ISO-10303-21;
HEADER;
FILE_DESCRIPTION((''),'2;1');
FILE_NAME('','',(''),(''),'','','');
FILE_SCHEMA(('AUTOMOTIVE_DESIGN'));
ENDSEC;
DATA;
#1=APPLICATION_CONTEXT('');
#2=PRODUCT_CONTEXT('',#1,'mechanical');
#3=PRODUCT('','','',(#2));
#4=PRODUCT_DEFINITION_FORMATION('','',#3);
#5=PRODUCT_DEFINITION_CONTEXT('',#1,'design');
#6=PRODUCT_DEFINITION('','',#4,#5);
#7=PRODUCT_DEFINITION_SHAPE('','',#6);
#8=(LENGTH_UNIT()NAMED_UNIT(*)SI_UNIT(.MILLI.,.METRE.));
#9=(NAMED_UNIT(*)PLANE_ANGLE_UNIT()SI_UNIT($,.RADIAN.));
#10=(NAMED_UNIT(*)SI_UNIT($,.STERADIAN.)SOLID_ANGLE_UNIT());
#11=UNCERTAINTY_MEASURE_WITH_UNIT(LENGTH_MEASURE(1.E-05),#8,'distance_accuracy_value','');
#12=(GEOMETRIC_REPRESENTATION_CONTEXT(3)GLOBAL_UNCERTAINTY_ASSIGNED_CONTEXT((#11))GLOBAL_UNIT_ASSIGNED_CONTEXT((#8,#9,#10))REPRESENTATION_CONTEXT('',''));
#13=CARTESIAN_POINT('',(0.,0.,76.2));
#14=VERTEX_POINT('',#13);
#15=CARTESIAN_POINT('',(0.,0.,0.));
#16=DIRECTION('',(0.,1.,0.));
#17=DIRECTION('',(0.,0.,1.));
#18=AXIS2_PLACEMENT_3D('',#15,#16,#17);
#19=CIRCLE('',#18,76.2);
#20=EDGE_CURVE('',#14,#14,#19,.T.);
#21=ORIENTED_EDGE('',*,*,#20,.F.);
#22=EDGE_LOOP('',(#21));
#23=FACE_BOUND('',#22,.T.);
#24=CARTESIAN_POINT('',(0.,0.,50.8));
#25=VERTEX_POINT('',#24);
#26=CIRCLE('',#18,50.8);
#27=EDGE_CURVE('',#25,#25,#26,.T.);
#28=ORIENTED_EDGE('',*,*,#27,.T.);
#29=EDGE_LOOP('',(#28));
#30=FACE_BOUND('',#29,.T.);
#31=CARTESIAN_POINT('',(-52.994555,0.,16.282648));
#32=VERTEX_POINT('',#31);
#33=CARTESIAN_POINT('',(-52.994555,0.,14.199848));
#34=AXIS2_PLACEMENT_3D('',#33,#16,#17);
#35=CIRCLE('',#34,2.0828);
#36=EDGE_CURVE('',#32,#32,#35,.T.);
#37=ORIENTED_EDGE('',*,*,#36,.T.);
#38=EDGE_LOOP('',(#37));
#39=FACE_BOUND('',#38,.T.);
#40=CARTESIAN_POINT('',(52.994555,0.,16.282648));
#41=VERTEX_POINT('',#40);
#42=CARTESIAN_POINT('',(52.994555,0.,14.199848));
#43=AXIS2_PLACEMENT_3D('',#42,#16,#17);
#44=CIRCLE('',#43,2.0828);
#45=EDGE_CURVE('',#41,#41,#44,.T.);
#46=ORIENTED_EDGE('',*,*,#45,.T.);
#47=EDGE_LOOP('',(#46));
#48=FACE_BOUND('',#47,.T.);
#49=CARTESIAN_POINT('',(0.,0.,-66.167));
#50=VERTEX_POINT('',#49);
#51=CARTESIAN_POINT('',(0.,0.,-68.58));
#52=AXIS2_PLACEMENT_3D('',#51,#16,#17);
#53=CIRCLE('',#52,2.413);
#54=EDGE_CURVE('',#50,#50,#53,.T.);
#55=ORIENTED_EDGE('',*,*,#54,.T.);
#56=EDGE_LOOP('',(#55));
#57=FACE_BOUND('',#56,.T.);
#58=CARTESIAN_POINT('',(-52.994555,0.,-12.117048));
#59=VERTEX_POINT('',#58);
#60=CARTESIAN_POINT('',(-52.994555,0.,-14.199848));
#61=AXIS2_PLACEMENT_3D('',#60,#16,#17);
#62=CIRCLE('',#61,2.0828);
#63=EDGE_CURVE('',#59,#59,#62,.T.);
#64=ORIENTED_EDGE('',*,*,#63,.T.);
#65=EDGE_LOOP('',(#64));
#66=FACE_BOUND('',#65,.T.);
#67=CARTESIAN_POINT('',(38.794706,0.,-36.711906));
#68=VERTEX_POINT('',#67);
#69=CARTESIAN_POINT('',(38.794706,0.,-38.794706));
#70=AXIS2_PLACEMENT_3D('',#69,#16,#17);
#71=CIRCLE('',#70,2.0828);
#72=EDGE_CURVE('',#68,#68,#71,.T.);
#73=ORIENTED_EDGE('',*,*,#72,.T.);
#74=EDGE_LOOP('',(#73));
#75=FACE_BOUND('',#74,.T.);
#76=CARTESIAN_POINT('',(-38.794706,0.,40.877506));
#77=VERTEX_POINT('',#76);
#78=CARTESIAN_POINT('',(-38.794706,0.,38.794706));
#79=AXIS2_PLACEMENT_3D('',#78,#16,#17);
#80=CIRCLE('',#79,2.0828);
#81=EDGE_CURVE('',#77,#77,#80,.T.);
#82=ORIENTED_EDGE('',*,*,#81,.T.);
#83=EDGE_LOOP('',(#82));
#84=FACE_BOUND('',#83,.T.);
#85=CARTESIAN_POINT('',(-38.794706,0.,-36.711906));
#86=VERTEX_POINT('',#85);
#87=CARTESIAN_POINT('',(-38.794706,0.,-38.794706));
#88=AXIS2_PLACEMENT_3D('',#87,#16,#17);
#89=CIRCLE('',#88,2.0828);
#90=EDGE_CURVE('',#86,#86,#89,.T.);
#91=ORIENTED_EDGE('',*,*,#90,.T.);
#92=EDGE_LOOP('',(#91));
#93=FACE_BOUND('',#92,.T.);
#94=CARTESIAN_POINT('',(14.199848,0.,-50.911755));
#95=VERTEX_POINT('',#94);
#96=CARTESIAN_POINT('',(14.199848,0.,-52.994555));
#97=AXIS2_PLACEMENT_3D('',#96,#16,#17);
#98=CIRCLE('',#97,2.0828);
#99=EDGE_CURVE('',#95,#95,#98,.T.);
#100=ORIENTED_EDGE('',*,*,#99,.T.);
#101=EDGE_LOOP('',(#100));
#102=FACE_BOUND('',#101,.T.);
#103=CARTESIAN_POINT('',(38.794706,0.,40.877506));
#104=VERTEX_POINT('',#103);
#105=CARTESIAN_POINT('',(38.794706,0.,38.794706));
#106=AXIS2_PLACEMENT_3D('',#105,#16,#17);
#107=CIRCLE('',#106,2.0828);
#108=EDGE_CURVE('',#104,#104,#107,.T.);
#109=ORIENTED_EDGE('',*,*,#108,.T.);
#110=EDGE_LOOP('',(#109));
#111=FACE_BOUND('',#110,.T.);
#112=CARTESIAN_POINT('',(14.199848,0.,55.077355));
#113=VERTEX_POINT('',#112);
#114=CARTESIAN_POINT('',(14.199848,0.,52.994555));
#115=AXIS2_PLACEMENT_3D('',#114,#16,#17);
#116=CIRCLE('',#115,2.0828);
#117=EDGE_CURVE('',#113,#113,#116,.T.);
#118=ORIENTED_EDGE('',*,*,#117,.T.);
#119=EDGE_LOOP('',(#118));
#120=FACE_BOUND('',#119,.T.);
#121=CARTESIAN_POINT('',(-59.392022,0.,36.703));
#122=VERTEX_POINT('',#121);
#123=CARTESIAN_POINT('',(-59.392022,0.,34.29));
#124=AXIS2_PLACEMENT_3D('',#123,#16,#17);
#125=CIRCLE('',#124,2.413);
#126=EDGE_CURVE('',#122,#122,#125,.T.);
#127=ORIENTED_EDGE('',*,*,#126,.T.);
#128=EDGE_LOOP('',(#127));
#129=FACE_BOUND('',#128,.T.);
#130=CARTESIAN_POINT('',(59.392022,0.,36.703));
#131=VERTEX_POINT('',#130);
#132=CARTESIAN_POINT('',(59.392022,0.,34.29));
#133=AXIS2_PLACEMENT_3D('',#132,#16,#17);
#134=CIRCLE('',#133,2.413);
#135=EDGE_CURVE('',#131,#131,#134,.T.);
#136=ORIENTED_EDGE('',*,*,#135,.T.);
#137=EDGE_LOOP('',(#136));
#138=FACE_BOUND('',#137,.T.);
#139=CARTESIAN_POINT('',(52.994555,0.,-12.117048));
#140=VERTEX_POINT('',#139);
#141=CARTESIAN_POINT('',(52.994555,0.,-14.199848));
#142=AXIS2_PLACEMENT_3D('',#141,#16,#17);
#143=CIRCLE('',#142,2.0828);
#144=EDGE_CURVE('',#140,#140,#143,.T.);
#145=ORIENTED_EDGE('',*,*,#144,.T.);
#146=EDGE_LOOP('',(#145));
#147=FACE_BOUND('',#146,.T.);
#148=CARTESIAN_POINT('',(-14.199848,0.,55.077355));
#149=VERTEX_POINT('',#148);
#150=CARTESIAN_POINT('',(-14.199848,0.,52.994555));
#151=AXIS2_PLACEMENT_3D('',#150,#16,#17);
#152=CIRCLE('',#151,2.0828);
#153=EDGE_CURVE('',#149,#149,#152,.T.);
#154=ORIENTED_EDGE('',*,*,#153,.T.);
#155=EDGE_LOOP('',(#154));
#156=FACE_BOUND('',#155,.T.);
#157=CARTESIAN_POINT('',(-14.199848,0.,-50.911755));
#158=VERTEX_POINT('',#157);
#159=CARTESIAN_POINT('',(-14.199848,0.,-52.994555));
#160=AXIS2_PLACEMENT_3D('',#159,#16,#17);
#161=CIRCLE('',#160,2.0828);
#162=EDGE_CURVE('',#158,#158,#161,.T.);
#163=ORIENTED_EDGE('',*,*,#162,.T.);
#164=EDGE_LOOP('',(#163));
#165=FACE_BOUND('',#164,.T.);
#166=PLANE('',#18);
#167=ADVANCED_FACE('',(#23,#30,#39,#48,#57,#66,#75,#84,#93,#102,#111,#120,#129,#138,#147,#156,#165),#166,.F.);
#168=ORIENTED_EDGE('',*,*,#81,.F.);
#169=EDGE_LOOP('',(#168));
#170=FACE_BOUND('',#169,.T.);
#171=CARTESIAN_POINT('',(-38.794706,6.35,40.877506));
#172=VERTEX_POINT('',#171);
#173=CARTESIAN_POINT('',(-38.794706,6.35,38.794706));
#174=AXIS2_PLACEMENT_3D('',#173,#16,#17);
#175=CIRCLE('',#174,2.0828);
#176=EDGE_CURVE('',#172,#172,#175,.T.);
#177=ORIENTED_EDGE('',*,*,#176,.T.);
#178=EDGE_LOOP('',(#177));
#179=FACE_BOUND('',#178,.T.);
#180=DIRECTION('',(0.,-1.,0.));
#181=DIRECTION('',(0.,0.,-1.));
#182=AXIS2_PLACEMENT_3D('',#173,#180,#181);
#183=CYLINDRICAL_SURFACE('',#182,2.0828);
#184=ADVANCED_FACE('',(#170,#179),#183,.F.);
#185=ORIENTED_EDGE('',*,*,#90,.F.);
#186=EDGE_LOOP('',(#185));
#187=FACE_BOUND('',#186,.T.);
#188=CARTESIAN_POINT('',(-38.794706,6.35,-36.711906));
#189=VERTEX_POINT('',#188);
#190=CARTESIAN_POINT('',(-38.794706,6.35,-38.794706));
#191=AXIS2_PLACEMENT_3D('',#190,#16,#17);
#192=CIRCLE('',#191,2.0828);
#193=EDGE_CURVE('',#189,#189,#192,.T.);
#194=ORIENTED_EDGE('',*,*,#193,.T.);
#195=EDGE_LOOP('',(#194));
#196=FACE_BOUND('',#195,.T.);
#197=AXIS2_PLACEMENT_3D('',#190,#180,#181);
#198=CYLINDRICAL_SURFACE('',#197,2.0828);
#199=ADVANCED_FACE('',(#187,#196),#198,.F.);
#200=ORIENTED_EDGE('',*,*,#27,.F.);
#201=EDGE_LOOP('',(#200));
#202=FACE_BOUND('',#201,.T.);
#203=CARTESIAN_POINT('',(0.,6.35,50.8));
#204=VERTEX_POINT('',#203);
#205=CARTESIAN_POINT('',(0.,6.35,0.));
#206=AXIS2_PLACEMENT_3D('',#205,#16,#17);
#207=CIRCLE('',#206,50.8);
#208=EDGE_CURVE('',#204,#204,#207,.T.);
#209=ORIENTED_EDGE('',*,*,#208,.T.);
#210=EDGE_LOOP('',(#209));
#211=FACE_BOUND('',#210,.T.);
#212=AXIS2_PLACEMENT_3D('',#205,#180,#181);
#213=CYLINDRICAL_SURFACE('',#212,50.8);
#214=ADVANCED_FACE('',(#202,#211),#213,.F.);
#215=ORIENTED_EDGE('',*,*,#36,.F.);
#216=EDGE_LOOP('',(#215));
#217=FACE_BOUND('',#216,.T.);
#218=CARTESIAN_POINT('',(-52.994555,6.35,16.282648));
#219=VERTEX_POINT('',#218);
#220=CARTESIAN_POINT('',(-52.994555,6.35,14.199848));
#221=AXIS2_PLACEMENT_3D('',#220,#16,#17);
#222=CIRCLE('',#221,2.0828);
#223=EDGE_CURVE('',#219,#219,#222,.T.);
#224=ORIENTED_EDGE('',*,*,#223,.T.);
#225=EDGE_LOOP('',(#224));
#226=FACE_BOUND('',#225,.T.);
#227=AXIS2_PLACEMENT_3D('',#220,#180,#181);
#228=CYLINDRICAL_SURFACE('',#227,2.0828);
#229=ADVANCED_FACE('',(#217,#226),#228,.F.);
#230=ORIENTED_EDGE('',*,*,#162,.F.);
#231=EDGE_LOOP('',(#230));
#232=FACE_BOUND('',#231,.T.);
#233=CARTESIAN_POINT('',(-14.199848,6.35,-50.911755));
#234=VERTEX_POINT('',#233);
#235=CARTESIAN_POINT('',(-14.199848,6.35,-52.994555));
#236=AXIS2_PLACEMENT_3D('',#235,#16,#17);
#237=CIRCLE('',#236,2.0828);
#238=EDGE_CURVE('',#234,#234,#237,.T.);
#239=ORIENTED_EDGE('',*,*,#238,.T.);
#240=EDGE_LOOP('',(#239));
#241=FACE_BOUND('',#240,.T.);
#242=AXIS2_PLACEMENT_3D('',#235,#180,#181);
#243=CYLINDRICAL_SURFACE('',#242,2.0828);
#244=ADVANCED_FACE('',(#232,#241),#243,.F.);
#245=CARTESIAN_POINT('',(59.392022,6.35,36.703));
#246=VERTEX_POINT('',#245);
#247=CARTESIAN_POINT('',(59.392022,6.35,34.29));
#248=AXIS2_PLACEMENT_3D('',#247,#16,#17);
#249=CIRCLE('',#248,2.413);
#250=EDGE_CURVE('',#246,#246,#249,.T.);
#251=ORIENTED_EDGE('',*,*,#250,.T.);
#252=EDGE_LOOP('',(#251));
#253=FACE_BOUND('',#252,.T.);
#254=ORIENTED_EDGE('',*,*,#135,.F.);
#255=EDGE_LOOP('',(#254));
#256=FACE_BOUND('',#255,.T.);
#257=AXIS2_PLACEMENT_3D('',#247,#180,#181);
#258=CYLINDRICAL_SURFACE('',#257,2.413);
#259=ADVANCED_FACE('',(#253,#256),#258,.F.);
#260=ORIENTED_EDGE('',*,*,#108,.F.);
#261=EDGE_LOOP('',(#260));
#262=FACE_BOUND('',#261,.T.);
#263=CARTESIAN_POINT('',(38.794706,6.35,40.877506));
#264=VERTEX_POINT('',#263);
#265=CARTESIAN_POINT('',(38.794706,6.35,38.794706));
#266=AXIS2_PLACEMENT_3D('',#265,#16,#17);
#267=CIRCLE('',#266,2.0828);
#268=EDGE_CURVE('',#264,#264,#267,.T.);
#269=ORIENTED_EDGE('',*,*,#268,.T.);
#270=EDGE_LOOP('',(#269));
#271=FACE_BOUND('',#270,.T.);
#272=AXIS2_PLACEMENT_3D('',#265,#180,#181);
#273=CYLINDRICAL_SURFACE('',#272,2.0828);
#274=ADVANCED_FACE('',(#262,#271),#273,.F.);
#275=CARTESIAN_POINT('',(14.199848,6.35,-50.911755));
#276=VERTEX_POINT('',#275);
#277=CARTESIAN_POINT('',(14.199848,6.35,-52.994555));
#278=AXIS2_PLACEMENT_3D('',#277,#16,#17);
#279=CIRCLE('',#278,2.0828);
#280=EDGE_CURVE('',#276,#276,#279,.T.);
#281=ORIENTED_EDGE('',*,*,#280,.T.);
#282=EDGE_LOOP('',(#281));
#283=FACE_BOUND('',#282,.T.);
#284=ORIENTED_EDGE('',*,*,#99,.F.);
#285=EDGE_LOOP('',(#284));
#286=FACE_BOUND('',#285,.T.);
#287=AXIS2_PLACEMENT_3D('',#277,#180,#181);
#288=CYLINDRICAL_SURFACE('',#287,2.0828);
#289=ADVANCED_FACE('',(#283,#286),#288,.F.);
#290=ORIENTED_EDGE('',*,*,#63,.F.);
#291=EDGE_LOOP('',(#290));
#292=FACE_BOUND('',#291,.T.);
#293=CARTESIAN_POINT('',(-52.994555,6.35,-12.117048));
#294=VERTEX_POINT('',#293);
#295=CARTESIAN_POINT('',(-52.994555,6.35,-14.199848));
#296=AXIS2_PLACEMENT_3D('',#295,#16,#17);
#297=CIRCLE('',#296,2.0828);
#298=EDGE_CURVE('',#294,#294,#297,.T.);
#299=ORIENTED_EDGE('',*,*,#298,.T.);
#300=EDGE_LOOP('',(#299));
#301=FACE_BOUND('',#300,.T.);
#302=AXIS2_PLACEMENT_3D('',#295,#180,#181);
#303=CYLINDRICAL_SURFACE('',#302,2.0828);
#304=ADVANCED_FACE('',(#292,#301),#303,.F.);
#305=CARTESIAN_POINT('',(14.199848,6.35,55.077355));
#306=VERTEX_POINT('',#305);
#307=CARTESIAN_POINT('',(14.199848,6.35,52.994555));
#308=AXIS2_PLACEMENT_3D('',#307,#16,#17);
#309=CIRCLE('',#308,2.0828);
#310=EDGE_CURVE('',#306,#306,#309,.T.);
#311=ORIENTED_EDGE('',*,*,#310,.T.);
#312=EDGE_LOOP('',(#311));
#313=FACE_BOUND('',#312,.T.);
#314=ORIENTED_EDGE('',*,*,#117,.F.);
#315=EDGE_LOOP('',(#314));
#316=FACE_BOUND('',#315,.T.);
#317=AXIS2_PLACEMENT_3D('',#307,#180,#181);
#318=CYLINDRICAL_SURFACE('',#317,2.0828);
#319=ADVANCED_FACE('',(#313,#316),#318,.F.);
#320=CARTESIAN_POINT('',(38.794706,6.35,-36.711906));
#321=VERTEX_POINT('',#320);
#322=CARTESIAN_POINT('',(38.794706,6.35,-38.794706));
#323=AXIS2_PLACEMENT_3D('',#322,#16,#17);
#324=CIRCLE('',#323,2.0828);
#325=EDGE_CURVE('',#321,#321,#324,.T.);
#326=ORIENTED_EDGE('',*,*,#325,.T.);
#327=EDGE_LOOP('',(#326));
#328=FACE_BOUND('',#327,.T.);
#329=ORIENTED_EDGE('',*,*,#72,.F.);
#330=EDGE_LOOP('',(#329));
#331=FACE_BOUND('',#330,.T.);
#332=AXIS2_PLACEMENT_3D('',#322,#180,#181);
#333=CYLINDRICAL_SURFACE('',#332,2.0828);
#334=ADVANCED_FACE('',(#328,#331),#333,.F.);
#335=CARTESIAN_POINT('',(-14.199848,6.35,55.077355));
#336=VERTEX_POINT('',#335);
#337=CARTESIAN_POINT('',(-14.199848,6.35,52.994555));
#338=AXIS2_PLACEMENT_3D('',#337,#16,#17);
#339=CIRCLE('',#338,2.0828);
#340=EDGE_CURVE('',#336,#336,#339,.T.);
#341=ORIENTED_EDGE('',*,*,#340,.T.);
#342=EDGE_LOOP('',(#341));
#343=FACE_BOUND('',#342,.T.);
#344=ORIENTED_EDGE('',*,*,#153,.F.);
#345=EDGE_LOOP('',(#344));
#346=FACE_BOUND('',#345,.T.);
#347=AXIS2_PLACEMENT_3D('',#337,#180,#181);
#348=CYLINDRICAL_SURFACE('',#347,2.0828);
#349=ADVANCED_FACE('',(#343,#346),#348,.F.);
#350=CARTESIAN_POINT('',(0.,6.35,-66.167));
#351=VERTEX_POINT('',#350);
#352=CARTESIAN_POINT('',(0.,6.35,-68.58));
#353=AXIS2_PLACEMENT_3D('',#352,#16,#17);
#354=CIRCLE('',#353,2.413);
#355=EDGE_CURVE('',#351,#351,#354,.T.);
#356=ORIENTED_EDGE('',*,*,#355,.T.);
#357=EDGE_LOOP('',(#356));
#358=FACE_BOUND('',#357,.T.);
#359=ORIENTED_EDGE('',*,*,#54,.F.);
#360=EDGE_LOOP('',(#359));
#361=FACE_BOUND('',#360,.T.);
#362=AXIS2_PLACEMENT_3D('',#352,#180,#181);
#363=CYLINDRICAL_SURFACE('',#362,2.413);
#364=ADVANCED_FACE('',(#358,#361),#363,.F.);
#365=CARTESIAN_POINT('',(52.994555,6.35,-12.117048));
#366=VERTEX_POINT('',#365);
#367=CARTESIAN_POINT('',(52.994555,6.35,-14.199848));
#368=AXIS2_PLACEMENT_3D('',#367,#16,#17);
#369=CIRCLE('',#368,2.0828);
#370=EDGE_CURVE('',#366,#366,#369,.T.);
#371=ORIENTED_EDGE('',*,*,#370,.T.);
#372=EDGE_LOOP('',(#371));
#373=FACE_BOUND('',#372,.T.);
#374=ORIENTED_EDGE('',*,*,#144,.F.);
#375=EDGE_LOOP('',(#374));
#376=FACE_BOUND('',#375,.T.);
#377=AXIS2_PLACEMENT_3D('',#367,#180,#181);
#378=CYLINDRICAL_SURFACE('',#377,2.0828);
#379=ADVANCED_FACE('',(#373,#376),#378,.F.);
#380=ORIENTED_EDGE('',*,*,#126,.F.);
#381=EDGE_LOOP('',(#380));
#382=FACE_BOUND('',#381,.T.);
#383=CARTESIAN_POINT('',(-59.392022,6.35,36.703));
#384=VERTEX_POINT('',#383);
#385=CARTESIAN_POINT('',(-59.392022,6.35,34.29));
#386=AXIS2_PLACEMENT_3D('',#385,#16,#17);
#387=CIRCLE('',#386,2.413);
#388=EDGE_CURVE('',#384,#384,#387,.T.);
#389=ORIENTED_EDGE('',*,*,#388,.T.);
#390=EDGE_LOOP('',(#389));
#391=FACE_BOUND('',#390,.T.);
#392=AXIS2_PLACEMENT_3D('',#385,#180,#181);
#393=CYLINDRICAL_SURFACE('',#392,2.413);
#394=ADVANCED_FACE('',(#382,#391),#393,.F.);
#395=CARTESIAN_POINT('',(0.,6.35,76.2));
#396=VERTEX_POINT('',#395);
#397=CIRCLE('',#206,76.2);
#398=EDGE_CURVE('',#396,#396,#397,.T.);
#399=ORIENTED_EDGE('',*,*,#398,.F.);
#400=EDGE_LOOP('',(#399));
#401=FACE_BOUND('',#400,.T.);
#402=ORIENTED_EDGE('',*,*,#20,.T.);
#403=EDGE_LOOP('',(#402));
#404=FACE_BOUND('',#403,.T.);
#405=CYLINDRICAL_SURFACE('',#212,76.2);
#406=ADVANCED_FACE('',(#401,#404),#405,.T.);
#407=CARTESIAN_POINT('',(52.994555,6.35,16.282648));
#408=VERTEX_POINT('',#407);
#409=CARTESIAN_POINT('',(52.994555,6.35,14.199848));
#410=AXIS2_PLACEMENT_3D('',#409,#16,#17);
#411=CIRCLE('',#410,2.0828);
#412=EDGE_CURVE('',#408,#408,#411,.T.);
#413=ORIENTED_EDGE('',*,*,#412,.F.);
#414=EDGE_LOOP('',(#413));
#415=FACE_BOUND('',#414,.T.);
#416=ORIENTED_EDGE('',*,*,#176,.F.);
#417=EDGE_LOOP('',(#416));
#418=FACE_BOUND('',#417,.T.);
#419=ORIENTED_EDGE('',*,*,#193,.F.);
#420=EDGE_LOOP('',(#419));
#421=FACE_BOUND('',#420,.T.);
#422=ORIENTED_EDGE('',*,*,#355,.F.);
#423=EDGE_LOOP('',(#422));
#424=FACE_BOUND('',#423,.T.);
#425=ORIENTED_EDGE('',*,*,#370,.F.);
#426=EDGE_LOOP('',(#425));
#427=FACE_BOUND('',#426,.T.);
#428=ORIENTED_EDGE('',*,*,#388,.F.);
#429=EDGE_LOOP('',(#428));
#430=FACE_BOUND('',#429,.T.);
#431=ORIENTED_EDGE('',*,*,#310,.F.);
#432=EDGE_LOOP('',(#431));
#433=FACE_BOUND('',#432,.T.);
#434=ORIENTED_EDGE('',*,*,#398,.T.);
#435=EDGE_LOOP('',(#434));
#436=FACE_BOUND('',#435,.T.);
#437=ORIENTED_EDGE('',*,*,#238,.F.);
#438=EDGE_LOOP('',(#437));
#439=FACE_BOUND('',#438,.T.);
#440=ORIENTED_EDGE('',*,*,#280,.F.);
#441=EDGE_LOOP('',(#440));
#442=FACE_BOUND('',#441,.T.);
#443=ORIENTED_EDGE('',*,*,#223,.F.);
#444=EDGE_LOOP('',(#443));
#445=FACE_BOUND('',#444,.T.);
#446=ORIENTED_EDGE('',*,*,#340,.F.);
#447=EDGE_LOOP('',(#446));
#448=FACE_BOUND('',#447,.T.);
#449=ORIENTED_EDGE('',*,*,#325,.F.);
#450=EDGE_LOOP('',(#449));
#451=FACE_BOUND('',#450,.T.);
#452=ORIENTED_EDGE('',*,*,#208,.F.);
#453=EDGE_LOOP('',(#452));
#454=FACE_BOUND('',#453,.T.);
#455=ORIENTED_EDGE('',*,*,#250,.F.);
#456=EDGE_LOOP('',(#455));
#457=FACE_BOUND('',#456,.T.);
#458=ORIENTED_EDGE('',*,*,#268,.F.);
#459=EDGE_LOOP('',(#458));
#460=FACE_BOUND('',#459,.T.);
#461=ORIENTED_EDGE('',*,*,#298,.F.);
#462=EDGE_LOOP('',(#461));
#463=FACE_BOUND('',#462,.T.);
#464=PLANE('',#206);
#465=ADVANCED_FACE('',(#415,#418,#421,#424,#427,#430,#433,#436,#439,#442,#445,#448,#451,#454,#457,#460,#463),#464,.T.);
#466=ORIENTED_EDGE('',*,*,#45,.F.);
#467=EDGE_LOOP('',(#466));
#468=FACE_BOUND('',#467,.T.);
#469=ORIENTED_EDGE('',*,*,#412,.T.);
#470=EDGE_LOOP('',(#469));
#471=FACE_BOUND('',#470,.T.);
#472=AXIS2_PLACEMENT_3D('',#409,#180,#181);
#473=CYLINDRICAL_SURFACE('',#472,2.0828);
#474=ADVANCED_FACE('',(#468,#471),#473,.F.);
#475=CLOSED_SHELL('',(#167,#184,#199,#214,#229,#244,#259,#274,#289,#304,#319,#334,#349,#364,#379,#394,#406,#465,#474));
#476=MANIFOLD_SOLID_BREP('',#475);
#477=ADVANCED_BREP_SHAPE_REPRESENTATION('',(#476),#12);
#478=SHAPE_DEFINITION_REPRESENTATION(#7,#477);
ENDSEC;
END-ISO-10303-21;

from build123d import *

# Parameters (mm, degrees)
SKETCH2_R           = 76.2
SKETCH2_R_2         = 2.0828
SKETCH2_R_3         = 2.413
SKETCH2_R_4         = 50.8
BOSS_EXTRUDE1_DEPTH = 6.35


with BuildPart() as part:
    # Sketch2 → Boss-Extrude1 (new body)
    with BuildSketch(Plane(origin=(0, 0, 0), x_dir=(1, 0, 0), z_dir=(0, 1, 0))):
        with Locations(Location((0, 0, 0), (0, 0, 270))):
            Circle(SKETCH2_R)
        with Locations(Location((-14.199848091, 52.994554534, 0), (0, 0, 270))):
            Circle(SKETCH2_R_2, mode=Mode.SUBTRACT)
        with Locations(Location((-38.794706443, 38.794706443, 0), (0, 0, 270))):
            Circle(SKETCH2_R_2, mode=Mode.SUBTRACT)
        with Locations(Location((-52.994554534, 14.199848091, 0), (0, 0, 270))):
            Circle(SKETCH2_R_2, mode=Mode.SUBTRACT)
        with Locations(Location((-52.994554534, -14.199848091, 0), (0, 0, 270))):
            Circle(SKETCH2_R_2, mode=Mode.SUBTRACT)
        with Locations(Location((-38.794706443, -38.794706443, 0), (0, 0, 270))):
            Circle(SKETCH2_R_2, mode=Mode.SUBTRACT)
        with Locations(Location((-14.199848091, -52.994554534, 0), (0, 0, 270))):
            Circle(SKETCH2_R_2, mode=Mode.SUBTRACT)
        with Locations(Location((14.199848091, -52.994554534, 0), (0, 0, 270))):
            Circle(SKETCH2_R_2, mode=Mode.SUBTRACT)
        with Locations(Location((38.794706443, -38.794706443, 0), (0, 0, 270))):
            Circle(SKETCH2_R_2, mode=Mode.SUBTRACT)
        with Locations(Location((52.994554534, -14.199848091, 0), (0, 0, 270))):
            Circle(SKETCH2_R_2, mode=Mode.SUBTRACT)
        with Locations(Location((52.994554534, 14.199848091, 0), (0, 0, 270))):
            Circle(SKETCH2_R_2, mode=Mode.SUBTRACT)
        with Locations(Location((38.794706443, 38.794706443, 0), (0, 0, 270))):
            Circle(SKETCH2_R_2, mode=Mode.SUBTRACT)
        with Locations(Location((14.199848091, 52.994554534, 0), (0, 0, 270))):
            Circle(SKETCH2_R_2, mode=Mode.SUBTRACT)
        with Locations(Location((-59.392022192, -34.29, 0), (0, 0, 270))):
            Circle(SKETCH2_R_3, mode=Mode.SUBTRACT)
        with Locations(Location((59.392022192, -34.29, 0), (0, 0, 270))):
            Circle(SKETCH2_R_3, mode=Mode.SUBTRACT)
        with Locations(Location((0, 68.58, 0), (0, 0, 270))):
            Circle(SKETCH2_R_3, mode=Mode.SUBTRACT)
        with Locations(Location((0, 0, 0), (0, 0, 270))):
            Circle(SKETCH2_R_4, mode=Mode.SUBTRACT)
    extrude(amount=BOSS_EXTRUDE1_DEPTH)


solid = part.part
